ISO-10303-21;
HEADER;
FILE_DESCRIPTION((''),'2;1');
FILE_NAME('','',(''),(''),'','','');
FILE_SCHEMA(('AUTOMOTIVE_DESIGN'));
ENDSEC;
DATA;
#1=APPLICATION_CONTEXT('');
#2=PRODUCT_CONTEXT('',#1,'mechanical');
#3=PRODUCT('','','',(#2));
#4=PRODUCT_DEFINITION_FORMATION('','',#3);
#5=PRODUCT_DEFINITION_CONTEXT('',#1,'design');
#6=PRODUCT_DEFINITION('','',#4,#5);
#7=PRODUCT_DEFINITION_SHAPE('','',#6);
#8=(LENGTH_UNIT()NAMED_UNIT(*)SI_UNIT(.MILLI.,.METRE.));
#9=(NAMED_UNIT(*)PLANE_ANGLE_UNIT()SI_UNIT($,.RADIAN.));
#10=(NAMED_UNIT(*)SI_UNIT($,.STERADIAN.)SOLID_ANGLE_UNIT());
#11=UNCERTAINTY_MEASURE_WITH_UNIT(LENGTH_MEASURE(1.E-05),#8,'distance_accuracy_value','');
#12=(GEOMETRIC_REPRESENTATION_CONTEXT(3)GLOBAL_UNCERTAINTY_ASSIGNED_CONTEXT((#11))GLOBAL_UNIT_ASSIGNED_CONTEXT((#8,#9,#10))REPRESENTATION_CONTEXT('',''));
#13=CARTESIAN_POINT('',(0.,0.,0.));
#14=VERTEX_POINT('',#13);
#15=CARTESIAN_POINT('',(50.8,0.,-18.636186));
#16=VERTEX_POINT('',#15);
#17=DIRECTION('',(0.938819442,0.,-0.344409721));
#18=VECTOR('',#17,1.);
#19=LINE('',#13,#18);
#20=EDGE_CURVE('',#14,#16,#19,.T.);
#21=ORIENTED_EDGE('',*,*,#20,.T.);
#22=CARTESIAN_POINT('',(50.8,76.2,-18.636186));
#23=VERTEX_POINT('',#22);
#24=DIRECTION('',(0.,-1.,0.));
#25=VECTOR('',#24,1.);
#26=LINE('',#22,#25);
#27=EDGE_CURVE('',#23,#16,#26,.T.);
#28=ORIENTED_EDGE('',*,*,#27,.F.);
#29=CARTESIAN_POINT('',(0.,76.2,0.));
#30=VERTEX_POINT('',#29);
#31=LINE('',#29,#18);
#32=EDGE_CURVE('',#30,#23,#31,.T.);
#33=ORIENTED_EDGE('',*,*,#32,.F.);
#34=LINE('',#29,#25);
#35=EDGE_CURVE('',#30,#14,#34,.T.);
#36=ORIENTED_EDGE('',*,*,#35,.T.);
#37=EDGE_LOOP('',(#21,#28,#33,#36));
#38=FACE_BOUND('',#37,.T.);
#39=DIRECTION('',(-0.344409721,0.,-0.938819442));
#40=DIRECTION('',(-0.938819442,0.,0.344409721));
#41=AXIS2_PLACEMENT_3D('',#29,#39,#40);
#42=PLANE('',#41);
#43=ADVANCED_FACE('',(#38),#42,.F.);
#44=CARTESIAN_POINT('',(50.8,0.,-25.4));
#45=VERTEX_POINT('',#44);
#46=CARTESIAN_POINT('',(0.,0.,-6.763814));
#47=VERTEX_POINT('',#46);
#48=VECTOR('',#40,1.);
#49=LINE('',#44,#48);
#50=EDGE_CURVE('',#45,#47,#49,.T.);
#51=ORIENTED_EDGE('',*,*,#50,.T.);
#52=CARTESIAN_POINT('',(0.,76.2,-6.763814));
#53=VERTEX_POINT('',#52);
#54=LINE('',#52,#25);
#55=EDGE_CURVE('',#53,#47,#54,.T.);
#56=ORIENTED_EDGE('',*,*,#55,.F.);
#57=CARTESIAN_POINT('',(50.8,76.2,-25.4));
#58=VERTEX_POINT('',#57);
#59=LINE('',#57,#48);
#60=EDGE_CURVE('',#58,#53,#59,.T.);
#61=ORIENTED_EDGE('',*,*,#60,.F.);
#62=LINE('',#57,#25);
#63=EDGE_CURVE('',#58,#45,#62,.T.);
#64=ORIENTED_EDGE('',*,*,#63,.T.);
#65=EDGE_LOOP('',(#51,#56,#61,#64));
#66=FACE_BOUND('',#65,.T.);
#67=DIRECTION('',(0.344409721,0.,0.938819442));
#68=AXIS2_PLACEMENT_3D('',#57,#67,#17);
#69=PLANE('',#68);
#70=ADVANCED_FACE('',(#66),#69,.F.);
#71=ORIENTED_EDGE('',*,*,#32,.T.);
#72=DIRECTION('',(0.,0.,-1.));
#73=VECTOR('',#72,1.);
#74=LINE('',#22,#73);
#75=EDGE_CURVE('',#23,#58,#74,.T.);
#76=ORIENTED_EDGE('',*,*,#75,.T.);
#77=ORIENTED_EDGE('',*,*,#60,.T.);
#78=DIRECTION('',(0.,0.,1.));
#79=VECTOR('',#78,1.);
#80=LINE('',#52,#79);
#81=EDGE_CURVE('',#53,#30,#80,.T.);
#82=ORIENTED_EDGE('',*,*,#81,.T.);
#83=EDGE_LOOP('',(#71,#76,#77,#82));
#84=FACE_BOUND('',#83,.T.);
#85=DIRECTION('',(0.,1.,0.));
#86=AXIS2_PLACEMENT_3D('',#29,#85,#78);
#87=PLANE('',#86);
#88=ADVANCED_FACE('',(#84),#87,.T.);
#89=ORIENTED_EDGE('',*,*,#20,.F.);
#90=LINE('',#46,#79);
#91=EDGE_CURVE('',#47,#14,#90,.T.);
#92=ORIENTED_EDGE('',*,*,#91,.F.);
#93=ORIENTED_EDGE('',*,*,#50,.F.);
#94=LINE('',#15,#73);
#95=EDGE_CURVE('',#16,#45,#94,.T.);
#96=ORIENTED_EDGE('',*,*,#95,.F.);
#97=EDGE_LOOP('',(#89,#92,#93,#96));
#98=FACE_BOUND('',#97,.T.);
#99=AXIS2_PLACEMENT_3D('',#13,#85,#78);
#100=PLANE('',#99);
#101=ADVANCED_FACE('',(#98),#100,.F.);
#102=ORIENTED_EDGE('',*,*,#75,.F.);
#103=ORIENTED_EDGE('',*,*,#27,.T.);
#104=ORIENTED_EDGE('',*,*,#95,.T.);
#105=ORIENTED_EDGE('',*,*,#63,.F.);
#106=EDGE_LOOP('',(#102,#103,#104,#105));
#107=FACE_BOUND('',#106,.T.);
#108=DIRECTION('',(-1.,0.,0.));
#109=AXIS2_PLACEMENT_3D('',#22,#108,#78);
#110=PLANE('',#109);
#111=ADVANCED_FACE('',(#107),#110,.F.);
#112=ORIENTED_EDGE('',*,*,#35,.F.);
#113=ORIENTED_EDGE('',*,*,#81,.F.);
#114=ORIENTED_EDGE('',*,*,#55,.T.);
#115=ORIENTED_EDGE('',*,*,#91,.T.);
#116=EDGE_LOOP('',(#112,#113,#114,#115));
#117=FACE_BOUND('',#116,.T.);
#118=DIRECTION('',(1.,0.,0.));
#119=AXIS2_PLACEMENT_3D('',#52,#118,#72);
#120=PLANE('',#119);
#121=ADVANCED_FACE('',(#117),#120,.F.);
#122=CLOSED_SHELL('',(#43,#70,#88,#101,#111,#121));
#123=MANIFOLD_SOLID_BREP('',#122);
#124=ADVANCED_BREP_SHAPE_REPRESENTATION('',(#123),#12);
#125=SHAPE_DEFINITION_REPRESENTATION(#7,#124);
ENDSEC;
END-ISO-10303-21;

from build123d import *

# Parameters (mm, degrees)
BOSS_EXTRUDE1_DEPTH = 76.2


with BuildPart() as part:
    # Sketch1 → Boss-Extrude1 (new body)
    with BuildSketch(Plane(origin=(0, 0, 0), x_dir=(1, 0, 0), z_dir=(0, 1, 0))):
        Polygon((0, 0), (50.8, 18.636186089), (50.8, 25.4), (0, 6.763813911), align=None)
    extrude(amount=BOSS_EXTRUDE1_DEPTH)


solid = part.part
